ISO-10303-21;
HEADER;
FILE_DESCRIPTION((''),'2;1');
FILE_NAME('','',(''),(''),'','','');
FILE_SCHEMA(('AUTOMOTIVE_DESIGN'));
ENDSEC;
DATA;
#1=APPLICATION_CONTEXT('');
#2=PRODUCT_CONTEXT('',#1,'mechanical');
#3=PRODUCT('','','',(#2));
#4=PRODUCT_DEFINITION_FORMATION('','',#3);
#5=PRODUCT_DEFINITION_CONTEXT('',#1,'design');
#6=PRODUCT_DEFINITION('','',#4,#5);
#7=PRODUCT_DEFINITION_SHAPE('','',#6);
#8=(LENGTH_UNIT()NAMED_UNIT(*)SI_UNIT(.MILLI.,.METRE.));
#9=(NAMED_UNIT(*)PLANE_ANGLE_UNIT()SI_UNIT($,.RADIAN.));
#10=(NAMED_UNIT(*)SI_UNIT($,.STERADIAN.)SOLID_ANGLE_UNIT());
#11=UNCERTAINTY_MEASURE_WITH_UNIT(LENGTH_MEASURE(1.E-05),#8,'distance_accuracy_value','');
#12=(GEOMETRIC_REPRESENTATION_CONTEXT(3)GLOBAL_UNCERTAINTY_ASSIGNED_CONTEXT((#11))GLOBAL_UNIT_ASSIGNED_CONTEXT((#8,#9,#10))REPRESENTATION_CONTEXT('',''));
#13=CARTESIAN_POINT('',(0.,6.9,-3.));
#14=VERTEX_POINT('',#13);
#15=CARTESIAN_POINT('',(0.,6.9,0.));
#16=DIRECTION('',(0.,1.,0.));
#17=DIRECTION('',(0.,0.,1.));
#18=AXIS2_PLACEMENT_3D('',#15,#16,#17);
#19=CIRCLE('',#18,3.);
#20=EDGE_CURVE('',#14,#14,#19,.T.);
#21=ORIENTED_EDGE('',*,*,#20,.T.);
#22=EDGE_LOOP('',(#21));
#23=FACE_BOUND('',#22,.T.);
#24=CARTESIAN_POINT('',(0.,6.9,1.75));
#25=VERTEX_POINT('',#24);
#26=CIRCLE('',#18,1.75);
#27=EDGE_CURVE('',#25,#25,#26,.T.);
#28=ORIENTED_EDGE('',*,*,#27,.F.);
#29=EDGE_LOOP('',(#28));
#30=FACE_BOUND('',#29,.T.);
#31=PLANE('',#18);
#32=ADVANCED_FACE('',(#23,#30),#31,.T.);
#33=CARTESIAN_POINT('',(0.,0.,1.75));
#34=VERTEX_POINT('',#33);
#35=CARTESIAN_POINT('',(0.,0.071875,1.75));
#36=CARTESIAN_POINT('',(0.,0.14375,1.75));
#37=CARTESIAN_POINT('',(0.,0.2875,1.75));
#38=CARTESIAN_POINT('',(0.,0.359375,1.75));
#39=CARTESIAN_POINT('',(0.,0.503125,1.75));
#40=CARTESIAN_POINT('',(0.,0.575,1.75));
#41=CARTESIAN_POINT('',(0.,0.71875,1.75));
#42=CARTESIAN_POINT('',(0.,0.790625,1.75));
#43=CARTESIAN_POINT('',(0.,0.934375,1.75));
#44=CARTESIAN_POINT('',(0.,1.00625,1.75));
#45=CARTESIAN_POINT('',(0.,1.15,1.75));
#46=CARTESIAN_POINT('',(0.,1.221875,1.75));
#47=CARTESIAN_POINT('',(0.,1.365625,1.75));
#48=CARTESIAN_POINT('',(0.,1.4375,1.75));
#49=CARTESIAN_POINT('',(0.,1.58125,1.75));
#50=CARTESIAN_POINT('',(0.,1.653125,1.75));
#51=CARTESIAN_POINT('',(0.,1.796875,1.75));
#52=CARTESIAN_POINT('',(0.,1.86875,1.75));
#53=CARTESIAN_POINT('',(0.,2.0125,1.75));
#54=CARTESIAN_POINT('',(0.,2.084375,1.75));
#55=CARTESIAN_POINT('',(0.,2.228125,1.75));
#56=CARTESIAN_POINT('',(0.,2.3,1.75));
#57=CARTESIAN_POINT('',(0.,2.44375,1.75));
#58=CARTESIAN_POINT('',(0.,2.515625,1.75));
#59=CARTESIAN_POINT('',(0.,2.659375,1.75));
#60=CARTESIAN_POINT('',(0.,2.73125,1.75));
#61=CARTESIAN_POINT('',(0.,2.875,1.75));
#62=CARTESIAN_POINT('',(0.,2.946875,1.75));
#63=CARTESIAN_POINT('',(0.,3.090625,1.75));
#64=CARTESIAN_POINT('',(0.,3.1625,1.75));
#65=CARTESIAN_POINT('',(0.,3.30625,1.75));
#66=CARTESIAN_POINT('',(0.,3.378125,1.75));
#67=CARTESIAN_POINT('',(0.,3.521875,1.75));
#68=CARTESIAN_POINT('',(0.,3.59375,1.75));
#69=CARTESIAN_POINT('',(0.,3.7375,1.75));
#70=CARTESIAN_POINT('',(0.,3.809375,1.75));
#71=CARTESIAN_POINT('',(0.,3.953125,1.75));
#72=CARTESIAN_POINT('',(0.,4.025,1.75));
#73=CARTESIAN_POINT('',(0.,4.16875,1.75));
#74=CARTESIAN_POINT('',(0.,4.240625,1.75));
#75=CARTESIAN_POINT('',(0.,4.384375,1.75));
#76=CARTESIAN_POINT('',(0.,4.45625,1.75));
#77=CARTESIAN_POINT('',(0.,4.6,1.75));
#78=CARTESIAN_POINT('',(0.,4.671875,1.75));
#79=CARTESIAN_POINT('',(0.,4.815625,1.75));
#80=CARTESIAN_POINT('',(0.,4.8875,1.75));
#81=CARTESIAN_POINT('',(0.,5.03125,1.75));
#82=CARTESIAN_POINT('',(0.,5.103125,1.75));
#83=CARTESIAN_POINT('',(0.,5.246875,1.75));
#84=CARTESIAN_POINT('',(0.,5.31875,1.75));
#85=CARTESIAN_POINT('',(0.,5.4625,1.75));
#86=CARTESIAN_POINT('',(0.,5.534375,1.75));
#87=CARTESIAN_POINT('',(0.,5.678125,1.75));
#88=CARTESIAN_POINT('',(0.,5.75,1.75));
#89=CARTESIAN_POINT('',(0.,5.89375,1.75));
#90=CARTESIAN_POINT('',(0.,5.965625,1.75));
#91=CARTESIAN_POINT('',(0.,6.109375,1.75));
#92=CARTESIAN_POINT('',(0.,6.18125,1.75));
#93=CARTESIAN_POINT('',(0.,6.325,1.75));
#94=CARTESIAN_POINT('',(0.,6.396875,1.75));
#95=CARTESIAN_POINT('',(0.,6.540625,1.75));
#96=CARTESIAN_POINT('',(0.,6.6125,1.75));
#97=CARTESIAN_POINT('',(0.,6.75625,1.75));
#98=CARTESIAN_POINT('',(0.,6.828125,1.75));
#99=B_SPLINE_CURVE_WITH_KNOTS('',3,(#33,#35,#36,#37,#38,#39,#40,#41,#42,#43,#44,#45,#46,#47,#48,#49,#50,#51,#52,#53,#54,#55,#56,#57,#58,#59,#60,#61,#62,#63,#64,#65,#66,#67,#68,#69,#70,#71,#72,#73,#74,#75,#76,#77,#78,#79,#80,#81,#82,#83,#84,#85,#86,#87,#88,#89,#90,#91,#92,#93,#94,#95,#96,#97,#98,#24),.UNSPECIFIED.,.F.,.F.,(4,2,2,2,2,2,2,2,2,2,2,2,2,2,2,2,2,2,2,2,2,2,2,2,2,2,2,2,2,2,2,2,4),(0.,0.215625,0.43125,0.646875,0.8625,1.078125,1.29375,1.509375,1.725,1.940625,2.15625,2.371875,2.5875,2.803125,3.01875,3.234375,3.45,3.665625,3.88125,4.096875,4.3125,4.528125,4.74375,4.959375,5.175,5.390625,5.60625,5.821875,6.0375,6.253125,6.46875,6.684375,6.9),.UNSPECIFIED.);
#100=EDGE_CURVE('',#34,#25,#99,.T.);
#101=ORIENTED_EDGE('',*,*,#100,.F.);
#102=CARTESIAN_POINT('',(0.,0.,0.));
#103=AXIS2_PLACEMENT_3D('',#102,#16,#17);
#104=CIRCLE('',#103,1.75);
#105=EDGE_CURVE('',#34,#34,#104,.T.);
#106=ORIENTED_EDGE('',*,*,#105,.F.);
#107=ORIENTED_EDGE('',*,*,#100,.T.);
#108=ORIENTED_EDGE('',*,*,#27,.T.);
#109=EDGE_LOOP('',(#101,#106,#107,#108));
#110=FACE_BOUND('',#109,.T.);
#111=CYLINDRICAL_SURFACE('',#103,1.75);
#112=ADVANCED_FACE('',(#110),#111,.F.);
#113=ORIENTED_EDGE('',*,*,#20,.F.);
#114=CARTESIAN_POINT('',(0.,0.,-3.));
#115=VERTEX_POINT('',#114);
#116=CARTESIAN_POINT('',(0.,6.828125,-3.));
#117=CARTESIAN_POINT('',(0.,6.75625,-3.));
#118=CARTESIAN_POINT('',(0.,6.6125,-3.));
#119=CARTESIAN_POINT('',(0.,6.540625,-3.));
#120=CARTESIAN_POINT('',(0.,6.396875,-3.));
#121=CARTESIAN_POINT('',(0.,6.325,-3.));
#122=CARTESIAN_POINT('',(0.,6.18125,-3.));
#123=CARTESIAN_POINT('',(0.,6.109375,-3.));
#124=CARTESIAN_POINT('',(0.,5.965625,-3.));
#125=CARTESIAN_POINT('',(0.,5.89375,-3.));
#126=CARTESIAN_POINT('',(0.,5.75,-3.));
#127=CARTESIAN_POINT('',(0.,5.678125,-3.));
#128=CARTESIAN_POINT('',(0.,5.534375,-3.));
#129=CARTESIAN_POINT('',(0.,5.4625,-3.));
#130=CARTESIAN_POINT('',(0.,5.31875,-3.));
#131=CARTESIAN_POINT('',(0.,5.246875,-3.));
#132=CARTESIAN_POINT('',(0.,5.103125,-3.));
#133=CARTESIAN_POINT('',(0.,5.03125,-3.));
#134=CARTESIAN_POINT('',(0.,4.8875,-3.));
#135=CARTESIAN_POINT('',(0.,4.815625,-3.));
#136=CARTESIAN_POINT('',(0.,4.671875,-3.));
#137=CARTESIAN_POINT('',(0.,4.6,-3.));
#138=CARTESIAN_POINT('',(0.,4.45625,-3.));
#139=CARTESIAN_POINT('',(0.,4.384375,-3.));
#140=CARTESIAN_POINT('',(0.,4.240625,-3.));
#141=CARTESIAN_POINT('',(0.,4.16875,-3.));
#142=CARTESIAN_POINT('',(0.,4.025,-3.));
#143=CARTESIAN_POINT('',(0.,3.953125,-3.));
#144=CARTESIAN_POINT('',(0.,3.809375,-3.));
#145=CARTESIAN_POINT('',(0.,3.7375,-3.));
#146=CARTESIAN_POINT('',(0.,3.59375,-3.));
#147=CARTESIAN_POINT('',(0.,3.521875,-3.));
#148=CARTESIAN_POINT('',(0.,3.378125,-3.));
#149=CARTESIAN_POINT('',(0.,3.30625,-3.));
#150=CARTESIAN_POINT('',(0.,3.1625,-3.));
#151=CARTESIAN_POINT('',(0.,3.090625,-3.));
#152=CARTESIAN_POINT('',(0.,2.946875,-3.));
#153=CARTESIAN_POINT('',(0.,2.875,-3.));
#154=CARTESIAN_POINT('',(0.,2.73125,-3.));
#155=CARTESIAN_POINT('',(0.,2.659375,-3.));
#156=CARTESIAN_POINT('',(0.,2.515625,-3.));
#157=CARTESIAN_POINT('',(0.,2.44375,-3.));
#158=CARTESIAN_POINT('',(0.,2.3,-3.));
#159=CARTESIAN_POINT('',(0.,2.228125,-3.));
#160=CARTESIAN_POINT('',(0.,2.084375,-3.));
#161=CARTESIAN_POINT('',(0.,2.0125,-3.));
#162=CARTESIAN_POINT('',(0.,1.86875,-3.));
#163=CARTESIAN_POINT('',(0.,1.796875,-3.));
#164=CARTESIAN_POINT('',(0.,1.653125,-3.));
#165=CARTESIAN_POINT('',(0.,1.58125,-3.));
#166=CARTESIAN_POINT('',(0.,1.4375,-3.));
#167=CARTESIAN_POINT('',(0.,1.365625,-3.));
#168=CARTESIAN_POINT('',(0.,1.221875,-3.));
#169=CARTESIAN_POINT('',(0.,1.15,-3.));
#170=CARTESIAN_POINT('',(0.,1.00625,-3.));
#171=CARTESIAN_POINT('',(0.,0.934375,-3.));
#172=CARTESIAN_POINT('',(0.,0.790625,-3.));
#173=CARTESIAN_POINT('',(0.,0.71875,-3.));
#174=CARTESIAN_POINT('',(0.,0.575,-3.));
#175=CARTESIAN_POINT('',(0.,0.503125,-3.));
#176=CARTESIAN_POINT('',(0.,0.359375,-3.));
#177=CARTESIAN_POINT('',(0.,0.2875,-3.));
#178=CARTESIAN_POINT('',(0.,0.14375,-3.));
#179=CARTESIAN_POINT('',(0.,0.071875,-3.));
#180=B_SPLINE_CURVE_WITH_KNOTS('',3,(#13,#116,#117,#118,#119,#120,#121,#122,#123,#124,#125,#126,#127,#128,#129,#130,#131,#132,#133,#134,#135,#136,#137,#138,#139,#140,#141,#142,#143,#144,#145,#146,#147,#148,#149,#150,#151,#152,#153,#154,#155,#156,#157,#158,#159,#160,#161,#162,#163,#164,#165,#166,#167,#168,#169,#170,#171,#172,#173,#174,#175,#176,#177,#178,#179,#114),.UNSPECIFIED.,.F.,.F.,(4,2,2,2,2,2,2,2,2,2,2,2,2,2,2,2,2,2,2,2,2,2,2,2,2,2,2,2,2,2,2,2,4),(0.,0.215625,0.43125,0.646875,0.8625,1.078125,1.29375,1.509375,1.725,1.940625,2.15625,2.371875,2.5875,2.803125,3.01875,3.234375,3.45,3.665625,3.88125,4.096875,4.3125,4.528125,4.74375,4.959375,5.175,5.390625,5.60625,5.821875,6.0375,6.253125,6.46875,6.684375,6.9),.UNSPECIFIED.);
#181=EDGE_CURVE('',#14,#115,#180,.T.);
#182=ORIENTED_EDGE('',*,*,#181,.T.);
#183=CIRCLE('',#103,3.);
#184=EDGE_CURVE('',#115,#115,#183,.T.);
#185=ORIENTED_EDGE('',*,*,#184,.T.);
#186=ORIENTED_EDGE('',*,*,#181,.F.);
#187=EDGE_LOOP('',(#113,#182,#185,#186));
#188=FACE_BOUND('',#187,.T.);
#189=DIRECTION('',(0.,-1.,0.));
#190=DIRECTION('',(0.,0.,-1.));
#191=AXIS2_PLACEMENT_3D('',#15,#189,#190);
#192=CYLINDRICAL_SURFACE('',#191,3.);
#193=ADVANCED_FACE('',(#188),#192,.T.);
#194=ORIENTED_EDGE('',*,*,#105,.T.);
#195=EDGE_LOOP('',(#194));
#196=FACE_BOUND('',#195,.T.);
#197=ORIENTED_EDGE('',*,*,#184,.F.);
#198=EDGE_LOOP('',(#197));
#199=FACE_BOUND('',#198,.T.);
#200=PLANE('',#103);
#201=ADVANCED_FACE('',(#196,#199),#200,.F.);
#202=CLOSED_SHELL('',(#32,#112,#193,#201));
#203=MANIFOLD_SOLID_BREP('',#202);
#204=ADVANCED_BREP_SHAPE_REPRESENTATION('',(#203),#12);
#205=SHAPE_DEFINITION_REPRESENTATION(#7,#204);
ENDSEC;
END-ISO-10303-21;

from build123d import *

# Parameters (mm, degrees)
SKETCH1_R           = 3
BOSS_EXTRUDE1_DEPTH = 6.9
SKETCH2_R           = 1.75
CUT_EXTRUDE1_DEPTH  = 9.1


with BuildPart() as part:
    # Sketch1 → Boss-Extrude1 (new body)
    with BuildSketch(Plane(origin=(0, 0, 0), x_dir=(1, 0, 0), z_dir=(0, 1, 0))):
        with Locations(Location((0, 0, 0), (0, 0, 90))):
            Circle(SKETCH1_R)
    extrude(amount=BOSS_EXTRUDE1_DEPTH)

    # Sketch2 → Cut-Extrude1 (cut, through all)
    with BuildSketch(Plane(origin=(0, 6.9, 0), x_dir=(1, 0, 0), z_dir=(0, 1, 0))):
        with Locations(Location((0, 0, 0), (0, 0, 270))):
            Circle(SKETCH2_R)
    extrude(amount=-CUT_EXTRUDE1_DEPTH, mode=Mode.SUBTRACT)


solid = part.part
